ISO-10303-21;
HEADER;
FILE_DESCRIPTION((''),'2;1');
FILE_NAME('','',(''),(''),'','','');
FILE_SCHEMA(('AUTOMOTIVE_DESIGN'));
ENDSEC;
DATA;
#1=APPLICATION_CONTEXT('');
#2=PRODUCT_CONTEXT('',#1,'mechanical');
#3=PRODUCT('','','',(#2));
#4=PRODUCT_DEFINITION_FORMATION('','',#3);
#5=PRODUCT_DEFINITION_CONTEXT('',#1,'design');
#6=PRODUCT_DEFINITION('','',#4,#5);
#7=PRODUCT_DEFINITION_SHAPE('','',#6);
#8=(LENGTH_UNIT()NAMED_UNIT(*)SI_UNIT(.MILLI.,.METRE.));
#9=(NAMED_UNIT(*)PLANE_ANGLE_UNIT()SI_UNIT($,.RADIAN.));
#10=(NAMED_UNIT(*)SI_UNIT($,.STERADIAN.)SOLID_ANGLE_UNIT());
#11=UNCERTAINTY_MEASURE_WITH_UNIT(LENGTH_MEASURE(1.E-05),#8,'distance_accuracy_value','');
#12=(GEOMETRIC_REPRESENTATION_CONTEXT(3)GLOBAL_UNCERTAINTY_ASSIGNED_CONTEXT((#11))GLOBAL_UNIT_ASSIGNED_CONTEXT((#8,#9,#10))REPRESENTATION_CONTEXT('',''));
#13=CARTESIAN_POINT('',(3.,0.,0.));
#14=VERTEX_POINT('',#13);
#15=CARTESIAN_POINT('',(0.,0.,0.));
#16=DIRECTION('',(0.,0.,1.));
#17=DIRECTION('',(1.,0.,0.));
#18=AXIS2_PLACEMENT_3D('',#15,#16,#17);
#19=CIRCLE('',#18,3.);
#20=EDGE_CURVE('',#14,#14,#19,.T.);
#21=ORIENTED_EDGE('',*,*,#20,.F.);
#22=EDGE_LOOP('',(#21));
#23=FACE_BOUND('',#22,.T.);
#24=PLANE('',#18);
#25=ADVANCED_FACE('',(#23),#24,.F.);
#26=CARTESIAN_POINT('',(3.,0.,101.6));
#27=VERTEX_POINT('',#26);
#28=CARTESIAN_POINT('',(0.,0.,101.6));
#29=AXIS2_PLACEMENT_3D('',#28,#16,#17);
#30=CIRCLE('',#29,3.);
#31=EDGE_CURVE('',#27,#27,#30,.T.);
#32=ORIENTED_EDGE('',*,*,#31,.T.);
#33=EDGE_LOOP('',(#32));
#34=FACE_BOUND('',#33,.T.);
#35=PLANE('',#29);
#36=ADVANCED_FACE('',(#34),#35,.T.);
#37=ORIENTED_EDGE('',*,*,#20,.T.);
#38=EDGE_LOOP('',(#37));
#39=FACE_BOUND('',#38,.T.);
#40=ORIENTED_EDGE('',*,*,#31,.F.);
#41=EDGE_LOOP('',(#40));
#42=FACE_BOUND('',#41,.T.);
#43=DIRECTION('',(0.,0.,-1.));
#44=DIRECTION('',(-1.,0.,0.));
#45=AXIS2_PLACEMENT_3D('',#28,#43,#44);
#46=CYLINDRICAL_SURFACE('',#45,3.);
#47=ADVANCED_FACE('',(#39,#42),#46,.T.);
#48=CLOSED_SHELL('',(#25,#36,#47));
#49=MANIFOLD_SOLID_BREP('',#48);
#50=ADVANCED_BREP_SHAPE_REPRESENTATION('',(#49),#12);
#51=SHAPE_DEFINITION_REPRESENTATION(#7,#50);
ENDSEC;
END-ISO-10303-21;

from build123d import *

# Parameters (mm, degrees)
SKETCH2_R           = 3
BOSS_EXTRUDE1_DEPTH = 101.6


with BuildPart() as part:
    # Sketch2 → Boss-Extrude1 (new body)
    with BuildSketch(Plane.XY):
        Circle(SKETCH2_R)
    extrude(amount=BOSS_EXTRUDE1_DEPTH)


solid = part.part
